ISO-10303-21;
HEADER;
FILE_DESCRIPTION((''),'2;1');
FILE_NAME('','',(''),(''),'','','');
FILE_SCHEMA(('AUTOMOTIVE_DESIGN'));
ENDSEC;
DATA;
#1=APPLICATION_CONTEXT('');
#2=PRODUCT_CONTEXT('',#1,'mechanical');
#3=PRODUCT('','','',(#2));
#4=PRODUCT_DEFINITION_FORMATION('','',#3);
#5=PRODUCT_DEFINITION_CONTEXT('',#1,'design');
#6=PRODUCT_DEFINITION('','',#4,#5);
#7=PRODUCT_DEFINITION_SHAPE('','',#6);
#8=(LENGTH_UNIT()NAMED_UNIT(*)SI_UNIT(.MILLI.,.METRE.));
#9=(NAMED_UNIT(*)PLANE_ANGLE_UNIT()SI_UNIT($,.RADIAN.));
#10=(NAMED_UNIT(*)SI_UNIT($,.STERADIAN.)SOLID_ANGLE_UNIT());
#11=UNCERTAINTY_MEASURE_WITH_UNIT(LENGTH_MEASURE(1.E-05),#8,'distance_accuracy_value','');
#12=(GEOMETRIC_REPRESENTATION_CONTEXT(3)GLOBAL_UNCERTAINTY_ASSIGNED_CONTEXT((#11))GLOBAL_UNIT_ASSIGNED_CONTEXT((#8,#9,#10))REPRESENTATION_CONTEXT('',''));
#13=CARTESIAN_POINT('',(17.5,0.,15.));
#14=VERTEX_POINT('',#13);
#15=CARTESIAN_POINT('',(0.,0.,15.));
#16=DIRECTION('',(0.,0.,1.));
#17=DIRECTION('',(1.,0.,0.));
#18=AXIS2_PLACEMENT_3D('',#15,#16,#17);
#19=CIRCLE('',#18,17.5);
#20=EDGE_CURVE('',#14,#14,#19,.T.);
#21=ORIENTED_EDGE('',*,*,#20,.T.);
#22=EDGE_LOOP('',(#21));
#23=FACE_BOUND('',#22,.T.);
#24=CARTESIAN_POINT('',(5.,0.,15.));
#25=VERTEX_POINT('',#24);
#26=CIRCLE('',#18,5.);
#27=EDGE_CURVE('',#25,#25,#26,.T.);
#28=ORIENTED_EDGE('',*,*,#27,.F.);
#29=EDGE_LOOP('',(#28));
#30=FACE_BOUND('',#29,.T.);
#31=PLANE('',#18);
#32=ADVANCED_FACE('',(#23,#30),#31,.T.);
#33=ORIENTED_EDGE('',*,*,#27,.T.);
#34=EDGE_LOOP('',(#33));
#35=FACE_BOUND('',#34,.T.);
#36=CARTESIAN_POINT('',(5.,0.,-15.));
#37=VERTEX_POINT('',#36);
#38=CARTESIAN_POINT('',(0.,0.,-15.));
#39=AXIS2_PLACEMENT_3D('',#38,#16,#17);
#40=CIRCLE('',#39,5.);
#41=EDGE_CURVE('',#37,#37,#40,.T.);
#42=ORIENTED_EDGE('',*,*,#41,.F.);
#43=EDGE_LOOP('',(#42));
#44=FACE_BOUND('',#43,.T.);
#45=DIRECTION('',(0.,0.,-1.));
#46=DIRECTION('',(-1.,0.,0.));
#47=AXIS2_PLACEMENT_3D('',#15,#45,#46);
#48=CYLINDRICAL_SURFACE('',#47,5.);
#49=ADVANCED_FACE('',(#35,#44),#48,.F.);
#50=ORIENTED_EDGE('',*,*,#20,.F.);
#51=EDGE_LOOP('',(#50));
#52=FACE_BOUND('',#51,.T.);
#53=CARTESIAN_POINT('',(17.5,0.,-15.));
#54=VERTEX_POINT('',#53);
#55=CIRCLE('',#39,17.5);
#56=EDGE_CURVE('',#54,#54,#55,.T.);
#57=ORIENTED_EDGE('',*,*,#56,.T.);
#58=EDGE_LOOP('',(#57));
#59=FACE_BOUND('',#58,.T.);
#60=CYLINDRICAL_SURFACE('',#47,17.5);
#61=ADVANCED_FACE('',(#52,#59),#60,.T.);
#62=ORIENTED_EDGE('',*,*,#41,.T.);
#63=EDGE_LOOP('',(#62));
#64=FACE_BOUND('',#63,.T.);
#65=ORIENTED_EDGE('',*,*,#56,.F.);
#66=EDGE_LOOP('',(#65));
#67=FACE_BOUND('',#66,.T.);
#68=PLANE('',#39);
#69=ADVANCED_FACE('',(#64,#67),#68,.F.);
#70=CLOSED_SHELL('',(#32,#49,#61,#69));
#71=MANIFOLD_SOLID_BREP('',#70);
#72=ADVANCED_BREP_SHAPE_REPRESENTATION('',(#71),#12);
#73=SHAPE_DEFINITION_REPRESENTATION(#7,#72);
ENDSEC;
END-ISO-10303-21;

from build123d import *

# Parameters (mm, degrees)
CROQUIS1_R              = 17.5
CROQUIS1_R_2            = 5
SALIENTE_EXTRUIR1_DEPTH = 15


with BuildPart() as part:
    # Croquis1 → Saliente-Extruir1 (new body, symmetric)
    with BuildSketch(Plane.XY):
        Circle(CROQUIS1_R)
        Circle(CROQUIS1_R_2, mode=Mode.SUBTRACT)
    extrude(amount=SALIENTE_EXTRUIR1_DEPTH, both=True)


solid = part.part
